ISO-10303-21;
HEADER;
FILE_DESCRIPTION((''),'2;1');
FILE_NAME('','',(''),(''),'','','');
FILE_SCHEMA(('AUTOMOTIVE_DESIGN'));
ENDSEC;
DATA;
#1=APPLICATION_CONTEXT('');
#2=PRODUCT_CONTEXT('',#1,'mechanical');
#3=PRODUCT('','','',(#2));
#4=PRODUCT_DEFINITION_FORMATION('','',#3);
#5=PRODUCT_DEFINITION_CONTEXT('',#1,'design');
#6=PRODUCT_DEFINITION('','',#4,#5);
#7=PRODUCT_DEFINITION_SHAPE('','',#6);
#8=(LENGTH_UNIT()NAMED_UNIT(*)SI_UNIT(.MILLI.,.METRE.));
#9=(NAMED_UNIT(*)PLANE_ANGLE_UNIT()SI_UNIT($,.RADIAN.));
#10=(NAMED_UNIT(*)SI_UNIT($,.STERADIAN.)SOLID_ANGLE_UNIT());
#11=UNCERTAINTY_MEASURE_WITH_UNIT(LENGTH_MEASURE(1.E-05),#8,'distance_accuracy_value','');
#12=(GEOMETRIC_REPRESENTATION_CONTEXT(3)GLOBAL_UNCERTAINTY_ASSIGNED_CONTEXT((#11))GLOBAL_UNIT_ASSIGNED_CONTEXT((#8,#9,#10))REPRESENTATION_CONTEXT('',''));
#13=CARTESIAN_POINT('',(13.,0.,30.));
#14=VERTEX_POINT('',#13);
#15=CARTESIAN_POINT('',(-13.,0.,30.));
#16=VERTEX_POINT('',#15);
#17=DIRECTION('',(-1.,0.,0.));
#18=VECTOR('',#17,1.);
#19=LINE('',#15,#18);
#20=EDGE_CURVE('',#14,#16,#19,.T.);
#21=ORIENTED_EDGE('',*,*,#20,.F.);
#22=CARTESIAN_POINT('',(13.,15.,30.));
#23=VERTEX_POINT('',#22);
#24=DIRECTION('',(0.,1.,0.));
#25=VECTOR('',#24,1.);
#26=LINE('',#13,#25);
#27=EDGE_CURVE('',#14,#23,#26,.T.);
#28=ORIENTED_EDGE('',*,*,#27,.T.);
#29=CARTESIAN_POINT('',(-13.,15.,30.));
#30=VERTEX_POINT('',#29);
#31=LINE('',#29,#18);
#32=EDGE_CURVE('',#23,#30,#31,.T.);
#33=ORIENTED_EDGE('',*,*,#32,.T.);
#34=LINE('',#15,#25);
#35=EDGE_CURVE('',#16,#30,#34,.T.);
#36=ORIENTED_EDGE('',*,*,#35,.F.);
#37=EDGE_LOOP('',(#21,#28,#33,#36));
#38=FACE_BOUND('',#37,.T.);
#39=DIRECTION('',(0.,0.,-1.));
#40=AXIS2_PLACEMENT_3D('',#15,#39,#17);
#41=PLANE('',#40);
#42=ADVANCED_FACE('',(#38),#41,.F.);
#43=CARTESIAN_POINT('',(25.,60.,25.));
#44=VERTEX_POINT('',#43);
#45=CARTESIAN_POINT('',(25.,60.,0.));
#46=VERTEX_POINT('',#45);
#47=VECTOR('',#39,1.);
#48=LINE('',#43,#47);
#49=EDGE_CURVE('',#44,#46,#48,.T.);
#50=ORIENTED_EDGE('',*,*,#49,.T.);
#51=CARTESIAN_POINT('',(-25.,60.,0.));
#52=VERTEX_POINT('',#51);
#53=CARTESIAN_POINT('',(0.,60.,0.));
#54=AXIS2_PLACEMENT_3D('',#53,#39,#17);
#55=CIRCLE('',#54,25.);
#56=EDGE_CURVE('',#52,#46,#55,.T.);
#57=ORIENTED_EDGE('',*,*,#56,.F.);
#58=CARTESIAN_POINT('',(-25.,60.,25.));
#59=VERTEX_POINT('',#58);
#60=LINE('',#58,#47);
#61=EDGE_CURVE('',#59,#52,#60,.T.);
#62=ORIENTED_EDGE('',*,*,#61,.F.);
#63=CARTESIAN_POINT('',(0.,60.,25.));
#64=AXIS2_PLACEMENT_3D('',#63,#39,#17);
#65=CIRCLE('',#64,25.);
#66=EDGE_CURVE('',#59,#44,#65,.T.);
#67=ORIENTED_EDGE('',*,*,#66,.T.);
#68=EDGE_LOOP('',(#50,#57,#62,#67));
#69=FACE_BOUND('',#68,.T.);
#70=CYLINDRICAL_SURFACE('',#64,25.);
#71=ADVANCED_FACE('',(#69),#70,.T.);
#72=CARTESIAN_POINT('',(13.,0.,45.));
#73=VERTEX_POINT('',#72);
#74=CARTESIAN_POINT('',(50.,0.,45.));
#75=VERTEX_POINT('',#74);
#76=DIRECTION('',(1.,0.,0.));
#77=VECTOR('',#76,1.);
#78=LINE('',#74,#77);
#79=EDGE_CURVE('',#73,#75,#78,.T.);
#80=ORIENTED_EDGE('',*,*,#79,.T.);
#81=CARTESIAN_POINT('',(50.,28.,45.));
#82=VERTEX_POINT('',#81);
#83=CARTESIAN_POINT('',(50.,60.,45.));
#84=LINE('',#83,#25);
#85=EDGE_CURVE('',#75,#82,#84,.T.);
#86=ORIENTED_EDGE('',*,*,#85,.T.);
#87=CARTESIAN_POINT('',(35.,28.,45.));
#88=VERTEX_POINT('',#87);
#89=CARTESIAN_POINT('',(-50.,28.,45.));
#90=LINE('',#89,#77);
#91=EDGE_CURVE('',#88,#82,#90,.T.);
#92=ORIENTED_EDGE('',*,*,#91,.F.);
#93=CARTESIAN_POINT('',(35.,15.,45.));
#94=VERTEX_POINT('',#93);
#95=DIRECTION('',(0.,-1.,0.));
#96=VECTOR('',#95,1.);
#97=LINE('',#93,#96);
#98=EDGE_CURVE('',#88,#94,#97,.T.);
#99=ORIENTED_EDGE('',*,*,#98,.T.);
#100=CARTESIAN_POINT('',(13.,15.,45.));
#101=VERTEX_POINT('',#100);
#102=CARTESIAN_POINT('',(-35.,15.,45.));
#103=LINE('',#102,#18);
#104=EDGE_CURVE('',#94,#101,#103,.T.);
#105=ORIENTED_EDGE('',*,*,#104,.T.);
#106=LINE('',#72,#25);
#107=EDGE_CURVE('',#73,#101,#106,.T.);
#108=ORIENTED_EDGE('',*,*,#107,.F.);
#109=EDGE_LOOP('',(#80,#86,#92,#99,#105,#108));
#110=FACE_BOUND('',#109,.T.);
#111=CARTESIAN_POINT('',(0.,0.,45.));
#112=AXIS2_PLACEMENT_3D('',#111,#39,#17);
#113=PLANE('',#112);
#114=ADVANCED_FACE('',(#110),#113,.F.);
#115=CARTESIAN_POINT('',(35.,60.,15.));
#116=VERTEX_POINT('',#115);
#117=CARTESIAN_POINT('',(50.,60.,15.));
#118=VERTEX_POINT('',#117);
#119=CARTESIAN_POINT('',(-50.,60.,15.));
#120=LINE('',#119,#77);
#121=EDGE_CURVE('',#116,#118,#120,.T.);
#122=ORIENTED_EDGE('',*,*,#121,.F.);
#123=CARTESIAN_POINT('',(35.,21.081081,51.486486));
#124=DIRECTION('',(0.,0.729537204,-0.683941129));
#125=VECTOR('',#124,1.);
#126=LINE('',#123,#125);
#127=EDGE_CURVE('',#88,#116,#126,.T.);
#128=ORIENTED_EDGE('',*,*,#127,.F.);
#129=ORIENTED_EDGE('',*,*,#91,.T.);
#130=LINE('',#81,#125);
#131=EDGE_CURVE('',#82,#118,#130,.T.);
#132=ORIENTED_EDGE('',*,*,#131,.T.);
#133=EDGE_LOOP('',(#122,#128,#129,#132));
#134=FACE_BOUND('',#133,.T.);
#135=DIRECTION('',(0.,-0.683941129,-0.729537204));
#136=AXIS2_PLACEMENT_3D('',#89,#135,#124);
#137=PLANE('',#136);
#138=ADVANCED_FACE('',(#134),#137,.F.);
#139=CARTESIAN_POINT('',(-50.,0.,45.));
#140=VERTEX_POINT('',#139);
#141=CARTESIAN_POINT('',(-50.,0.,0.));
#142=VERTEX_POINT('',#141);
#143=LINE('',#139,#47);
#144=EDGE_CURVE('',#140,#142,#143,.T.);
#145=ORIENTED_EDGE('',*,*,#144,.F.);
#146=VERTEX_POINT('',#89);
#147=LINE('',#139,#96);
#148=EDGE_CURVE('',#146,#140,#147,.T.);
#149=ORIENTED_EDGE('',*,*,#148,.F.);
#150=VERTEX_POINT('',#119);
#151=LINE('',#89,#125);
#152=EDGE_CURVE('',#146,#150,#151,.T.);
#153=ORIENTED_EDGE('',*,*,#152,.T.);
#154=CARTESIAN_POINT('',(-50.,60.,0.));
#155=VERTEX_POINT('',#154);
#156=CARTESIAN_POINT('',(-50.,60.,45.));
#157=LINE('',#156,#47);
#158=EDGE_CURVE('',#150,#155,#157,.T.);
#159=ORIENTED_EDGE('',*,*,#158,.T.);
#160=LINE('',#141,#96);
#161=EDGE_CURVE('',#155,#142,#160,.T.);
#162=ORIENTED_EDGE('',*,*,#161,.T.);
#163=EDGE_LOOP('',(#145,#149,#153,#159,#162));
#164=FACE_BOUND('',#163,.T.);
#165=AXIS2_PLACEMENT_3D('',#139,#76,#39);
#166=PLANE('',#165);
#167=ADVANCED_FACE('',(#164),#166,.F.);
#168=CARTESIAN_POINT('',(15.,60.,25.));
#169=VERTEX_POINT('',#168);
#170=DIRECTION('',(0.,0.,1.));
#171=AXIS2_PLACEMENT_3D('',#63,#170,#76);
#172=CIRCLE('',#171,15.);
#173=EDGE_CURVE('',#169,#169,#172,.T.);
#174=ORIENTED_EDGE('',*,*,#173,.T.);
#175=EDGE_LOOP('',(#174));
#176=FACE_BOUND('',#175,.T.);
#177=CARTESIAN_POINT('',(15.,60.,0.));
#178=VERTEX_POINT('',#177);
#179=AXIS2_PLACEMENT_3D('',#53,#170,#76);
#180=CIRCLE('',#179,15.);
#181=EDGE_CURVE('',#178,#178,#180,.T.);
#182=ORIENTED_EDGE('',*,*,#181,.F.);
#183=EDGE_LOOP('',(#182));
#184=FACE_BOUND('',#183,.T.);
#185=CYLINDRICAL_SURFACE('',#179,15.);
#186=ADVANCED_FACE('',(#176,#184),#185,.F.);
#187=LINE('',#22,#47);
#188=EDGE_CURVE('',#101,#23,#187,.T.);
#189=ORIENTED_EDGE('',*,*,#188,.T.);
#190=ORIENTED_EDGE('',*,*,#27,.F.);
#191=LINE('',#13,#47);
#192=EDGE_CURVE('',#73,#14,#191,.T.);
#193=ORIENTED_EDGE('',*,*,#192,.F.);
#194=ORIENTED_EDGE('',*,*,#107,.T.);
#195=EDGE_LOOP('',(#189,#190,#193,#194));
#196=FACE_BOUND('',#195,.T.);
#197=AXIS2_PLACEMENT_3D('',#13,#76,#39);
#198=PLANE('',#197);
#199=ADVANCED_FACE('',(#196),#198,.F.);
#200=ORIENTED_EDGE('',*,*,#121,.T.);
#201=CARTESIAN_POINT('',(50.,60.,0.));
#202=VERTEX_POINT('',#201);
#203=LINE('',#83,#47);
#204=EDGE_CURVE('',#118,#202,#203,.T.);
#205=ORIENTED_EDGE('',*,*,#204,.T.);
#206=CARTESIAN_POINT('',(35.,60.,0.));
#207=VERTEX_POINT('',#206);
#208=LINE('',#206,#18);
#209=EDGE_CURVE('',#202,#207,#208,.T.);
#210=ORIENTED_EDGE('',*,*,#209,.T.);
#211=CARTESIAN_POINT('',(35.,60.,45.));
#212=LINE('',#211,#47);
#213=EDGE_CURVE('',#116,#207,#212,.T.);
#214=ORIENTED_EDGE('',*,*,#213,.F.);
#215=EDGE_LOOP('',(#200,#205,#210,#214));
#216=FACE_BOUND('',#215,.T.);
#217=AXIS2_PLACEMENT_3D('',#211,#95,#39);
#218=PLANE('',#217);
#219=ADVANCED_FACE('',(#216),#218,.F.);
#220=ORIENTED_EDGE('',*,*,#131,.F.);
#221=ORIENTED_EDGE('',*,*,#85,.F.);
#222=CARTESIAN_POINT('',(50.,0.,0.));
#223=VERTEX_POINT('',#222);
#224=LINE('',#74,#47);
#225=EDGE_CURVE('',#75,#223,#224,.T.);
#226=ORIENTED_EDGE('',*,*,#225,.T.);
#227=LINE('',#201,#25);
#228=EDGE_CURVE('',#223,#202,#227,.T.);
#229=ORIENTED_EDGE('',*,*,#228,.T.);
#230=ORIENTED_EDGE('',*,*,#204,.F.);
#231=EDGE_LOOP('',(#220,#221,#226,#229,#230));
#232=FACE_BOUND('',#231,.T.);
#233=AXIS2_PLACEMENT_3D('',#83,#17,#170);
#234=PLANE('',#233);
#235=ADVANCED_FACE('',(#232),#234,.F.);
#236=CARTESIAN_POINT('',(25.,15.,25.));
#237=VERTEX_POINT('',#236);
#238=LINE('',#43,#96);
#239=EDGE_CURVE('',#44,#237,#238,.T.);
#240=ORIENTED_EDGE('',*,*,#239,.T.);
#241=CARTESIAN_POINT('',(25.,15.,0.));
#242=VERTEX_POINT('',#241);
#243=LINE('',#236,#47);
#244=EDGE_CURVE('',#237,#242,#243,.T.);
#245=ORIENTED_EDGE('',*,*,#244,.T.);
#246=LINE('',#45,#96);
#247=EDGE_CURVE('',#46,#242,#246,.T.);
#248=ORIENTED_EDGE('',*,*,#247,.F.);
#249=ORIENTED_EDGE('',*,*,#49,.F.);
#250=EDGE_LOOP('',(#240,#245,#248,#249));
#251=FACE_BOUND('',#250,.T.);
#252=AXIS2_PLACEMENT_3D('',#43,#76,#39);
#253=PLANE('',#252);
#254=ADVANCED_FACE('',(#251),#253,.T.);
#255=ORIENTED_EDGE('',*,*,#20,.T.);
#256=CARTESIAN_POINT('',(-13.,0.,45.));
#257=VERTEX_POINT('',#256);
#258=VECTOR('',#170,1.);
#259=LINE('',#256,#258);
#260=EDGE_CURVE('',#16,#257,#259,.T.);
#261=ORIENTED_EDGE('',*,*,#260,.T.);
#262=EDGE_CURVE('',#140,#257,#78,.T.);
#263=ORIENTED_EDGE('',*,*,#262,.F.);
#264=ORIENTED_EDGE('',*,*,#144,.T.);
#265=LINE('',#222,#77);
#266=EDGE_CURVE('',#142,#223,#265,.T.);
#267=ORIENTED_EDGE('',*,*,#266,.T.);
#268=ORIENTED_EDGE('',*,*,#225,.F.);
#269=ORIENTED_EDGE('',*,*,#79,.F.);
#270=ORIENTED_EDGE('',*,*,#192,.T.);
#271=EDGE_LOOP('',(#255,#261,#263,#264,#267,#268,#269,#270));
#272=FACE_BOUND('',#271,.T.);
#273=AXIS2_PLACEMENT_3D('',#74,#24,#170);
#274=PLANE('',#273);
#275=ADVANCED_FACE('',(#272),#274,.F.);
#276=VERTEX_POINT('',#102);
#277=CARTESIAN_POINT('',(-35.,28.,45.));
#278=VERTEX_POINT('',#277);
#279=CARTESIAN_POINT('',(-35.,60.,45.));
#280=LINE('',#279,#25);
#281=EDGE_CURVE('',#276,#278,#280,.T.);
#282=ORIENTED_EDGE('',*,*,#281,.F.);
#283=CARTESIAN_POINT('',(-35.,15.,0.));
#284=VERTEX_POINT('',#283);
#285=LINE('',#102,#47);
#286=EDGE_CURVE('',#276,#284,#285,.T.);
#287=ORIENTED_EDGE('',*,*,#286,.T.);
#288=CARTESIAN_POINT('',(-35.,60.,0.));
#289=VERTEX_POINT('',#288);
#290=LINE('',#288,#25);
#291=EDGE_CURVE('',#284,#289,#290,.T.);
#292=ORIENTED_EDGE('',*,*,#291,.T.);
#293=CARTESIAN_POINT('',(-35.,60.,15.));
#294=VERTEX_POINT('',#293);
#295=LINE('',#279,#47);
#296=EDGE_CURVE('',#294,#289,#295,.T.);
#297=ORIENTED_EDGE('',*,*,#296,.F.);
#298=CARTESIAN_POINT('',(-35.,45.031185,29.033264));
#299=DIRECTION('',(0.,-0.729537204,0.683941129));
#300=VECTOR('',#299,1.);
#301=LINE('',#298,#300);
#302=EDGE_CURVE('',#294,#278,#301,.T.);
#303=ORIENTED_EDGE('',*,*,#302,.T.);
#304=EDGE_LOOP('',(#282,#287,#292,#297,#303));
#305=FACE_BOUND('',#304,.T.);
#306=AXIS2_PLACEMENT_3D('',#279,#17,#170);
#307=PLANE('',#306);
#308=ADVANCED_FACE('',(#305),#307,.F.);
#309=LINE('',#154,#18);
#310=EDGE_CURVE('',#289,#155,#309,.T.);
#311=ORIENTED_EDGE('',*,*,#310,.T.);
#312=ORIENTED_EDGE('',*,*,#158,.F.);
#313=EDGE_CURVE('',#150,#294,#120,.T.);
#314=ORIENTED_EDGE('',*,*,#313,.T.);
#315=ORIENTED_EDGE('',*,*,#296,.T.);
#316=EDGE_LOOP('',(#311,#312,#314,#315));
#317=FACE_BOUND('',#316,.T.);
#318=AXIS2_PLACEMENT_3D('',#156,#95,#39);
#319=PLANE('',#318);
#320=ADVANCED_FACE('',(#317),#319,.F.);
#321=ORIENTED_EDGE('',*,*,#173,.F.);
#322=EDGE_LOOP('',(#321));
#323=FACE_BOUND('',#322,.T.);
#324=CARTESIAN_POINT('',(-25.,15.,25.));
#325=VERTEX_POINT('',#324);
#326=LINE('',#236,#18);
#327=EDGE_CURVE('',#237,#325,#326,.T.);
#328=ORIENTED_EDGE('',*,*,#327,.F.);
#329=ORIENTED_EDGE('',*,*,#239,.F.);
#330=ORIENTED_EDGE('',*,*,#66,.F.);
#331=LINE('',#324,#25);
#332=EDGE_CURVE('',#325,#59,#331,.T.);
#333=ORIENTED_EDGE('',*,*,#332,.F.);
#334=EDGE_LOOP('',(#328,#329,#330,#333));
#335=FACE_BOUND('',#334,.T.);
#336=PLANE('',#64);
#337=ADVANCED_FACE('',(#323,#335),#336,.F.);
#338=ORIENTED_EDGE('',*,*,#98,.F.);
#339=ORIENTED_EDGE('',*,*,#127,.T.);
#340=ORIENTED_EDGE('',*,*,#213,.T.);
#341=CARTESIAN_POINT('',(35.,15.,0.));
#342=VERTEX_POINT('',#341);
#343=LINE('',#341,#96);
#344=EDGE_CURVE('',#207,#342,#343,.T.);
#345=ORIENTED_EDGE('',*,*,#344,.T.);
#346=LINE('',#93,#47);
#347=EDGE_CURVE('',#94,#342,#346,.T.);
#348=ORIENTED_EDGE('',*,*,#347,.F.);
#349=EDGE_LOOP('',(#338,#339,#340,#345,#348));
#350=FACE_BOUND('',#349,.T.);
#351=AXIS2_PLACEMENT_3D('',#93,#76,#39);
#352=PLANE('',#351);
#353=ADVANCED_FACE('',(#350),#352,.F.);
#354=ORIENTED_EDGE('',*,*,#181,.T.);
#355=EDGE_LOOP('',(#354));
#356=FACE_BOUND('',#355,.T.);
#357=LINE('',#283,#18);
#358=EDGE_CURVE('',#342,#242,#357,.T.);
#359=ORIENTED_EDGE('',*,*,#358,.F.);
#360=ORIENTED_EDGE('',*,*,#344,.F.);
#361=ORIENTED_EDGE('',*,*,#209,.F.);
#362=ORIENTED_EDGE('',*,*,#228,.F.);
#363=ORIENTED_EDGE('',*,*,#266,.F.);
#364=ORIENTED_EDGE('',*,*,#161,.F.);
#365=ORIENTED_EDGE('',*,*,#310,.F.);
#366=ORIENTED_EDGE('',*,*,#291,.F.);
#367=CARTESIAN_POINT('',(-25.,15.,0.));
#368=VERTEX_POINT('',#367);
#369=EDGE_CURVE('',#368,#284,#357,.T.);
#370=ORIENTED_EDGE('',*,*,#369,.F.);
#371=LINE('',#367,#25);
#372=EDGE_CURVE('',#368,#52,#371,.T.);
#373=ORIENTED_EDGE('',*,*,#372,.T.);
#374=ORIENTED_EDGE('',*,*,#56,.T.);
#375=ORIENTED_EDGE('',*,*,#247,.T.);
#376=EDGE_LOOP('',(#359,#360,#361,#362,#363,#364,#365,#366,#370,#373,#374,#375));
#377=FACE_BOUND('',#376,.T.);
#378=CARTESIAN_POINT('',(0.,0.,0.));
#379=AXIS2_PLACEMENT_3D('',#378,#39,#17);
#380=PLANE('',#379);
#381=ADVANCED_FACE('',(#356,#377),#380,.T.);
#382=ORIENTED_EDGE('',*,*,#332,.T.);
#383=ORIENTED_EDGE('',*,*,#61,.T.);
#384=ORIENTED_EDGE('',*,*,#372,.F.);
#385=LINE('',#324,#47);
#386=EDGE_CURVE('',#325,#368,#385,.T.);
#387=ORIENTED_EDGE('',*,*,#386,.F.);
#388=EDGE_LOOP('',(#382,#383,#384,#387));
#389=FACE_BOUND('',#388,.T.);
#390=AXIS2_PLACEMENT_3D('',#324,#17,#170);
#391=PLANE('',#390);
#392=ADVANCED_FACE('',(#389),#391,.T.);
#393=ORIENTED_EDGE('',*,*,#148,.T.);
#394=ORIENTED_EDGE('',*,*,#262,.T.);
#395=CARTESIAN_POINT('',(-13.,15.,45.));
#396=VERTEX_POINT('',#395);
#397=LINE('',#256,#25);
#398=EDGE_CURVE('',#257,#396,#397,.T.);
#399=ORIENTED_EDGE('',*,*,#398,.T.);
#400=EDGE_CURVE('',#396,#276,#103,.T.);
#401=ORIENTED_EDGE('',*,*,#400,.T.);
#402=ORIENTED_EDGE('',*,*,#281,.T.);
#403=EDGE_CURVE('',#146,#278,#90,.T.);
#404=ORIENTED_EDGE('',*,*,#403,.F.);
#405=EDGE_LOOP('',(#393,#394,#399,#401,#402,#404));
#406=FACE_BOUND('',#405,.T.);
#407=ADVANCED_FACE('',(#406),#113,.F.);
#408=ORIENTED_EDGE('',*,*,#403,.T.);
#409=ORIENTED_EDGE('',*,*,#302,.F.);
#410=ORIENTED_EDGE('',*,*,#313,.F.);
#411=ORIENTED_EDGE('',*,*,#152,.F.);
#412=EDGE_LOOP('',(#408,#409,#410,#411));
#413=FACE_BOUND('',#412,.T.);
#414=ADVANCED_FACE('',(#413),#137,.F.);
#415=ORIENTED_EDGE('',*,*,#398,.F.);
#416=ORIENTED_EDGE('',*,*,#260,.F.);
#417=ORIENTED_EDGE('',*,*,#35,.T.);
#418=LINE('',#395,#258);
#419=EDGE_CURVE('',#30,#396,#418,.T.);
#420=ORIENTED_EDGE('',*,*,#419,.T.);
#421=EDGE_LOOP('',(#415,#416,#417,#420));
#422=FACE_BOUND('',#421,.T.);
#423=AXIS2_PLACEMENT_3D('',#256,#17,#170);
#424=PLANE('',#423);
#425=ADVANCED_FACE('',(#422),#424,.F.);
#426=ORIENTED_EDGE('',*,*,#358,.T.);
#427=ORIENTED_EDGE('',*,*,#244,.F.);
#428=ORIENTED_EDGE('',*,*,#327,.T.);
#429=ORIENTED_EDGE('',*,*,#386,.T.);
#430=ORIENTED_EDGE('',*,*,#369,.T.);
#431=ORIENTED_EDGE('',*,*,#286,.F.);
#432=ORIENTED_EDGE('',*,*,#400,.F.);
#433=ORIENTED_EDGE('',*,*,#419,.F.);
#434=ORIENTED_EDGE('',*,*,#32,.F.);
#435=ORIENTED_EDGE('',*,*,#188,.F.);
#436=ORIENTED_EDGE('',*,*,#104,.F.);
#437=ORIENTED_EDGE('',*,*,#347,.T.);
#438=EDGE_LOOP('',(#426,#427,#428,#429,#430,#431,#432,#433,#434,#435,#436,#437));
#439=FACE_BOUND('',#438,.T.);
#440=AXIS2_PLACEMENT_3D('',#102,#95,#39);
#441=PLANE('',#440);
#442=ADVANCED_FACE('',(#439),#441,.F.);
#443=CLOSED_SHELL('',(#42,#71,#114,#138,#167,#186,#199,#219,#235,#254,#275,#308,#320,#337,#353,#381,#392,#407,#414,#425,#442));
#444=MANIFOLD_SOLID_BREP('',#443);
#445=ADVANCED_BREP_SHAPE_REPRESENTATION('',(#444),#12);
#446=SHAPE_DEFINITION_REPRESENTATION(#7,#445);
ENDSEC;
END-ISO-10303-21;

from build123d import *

# Parameters (mm, degrees)
BOSS_EXTRUDE1_DEPTH = 45
CUT_EXTRUDE1_DEPTH  = 126
SKETCH3_W           = 26
SKETCH3_H           = 15
CUT_EXTRUDE2_DEPTH  = 81.932070281
BOSS_EXTRUDE2_DEPTH = 25
SKETCH5_R           = 15
CUT_EXTRUDE3_DEPTH  = 102.734949747


with BuildPart() as part:
    # Sketch1 → Boss-Extrude1 (new body)
    with BuildSketch(Plane.XY):
        Polygon((-50, 0), (-50, 60), (-35, 60), (-35, 15), (35, 15), (35, 60), (50, 60), (50, 0), align=None)
    extrude(amount=BOSS_EXTRUDE1_DEPTH)

    # Sketch2 → Cut-Extrude1 (cut, through all)
    with BuildSketch(Plane(origin=(50, 0, 0), x_dir=(0, 0, -1), z_dir=(1, 0, 0))):
        Polygon((-15, 60), (-45, 60), (-45, 28), align=None)
    extrude(amount=-CUT_EXTRUDE1_DEPTH, mode=Mode.SUBTRACT)

    # Sketch3 → Cut-Extrude2 (cut, through all)
    with BuildSketch(Plane(origin=(0, 15, 0), x_dir=(1, 0, 0), z_dir=(0, 1, 0))):
        with Locations((0, -37.5)):
            Rectangle(SKETCH3_W, SKETCH3_H)
    extrude(amount=-CUT_EXTRUDE2_DEPTH, mode=Mode.SUBTRACT)

    # Sketch4 → Boss-Extrude2 (add)
    with BuildSketch(Plane(origin=(0, 0, 0), x_dir=(-1, 0, 0), z_dir=(0, 0, -1))):
        with BuildLine():
            Line((25, 15), (25, 60))
            ThreePointArc((25, 60), (0, 85), (-25, 60))
            Line((-25, 60), (-25, 15))
            Line((-25, 15), (25, 15))
        make_face()
    extrude(amount=-BOSS_EXTRUDE2_DEPTH)

    # Sketch5 → Cut-Extrude3 (cut, through all)
    with BuildSketch(Plane.XY.offset(25)):
        with Locations((0, 60)):
            Circle(SKETCH5_R)
    extrude(amount=-CUT_EXTRUDE3_DEPTH, mode=Mode.SUBTRACT)


solid = part.part
